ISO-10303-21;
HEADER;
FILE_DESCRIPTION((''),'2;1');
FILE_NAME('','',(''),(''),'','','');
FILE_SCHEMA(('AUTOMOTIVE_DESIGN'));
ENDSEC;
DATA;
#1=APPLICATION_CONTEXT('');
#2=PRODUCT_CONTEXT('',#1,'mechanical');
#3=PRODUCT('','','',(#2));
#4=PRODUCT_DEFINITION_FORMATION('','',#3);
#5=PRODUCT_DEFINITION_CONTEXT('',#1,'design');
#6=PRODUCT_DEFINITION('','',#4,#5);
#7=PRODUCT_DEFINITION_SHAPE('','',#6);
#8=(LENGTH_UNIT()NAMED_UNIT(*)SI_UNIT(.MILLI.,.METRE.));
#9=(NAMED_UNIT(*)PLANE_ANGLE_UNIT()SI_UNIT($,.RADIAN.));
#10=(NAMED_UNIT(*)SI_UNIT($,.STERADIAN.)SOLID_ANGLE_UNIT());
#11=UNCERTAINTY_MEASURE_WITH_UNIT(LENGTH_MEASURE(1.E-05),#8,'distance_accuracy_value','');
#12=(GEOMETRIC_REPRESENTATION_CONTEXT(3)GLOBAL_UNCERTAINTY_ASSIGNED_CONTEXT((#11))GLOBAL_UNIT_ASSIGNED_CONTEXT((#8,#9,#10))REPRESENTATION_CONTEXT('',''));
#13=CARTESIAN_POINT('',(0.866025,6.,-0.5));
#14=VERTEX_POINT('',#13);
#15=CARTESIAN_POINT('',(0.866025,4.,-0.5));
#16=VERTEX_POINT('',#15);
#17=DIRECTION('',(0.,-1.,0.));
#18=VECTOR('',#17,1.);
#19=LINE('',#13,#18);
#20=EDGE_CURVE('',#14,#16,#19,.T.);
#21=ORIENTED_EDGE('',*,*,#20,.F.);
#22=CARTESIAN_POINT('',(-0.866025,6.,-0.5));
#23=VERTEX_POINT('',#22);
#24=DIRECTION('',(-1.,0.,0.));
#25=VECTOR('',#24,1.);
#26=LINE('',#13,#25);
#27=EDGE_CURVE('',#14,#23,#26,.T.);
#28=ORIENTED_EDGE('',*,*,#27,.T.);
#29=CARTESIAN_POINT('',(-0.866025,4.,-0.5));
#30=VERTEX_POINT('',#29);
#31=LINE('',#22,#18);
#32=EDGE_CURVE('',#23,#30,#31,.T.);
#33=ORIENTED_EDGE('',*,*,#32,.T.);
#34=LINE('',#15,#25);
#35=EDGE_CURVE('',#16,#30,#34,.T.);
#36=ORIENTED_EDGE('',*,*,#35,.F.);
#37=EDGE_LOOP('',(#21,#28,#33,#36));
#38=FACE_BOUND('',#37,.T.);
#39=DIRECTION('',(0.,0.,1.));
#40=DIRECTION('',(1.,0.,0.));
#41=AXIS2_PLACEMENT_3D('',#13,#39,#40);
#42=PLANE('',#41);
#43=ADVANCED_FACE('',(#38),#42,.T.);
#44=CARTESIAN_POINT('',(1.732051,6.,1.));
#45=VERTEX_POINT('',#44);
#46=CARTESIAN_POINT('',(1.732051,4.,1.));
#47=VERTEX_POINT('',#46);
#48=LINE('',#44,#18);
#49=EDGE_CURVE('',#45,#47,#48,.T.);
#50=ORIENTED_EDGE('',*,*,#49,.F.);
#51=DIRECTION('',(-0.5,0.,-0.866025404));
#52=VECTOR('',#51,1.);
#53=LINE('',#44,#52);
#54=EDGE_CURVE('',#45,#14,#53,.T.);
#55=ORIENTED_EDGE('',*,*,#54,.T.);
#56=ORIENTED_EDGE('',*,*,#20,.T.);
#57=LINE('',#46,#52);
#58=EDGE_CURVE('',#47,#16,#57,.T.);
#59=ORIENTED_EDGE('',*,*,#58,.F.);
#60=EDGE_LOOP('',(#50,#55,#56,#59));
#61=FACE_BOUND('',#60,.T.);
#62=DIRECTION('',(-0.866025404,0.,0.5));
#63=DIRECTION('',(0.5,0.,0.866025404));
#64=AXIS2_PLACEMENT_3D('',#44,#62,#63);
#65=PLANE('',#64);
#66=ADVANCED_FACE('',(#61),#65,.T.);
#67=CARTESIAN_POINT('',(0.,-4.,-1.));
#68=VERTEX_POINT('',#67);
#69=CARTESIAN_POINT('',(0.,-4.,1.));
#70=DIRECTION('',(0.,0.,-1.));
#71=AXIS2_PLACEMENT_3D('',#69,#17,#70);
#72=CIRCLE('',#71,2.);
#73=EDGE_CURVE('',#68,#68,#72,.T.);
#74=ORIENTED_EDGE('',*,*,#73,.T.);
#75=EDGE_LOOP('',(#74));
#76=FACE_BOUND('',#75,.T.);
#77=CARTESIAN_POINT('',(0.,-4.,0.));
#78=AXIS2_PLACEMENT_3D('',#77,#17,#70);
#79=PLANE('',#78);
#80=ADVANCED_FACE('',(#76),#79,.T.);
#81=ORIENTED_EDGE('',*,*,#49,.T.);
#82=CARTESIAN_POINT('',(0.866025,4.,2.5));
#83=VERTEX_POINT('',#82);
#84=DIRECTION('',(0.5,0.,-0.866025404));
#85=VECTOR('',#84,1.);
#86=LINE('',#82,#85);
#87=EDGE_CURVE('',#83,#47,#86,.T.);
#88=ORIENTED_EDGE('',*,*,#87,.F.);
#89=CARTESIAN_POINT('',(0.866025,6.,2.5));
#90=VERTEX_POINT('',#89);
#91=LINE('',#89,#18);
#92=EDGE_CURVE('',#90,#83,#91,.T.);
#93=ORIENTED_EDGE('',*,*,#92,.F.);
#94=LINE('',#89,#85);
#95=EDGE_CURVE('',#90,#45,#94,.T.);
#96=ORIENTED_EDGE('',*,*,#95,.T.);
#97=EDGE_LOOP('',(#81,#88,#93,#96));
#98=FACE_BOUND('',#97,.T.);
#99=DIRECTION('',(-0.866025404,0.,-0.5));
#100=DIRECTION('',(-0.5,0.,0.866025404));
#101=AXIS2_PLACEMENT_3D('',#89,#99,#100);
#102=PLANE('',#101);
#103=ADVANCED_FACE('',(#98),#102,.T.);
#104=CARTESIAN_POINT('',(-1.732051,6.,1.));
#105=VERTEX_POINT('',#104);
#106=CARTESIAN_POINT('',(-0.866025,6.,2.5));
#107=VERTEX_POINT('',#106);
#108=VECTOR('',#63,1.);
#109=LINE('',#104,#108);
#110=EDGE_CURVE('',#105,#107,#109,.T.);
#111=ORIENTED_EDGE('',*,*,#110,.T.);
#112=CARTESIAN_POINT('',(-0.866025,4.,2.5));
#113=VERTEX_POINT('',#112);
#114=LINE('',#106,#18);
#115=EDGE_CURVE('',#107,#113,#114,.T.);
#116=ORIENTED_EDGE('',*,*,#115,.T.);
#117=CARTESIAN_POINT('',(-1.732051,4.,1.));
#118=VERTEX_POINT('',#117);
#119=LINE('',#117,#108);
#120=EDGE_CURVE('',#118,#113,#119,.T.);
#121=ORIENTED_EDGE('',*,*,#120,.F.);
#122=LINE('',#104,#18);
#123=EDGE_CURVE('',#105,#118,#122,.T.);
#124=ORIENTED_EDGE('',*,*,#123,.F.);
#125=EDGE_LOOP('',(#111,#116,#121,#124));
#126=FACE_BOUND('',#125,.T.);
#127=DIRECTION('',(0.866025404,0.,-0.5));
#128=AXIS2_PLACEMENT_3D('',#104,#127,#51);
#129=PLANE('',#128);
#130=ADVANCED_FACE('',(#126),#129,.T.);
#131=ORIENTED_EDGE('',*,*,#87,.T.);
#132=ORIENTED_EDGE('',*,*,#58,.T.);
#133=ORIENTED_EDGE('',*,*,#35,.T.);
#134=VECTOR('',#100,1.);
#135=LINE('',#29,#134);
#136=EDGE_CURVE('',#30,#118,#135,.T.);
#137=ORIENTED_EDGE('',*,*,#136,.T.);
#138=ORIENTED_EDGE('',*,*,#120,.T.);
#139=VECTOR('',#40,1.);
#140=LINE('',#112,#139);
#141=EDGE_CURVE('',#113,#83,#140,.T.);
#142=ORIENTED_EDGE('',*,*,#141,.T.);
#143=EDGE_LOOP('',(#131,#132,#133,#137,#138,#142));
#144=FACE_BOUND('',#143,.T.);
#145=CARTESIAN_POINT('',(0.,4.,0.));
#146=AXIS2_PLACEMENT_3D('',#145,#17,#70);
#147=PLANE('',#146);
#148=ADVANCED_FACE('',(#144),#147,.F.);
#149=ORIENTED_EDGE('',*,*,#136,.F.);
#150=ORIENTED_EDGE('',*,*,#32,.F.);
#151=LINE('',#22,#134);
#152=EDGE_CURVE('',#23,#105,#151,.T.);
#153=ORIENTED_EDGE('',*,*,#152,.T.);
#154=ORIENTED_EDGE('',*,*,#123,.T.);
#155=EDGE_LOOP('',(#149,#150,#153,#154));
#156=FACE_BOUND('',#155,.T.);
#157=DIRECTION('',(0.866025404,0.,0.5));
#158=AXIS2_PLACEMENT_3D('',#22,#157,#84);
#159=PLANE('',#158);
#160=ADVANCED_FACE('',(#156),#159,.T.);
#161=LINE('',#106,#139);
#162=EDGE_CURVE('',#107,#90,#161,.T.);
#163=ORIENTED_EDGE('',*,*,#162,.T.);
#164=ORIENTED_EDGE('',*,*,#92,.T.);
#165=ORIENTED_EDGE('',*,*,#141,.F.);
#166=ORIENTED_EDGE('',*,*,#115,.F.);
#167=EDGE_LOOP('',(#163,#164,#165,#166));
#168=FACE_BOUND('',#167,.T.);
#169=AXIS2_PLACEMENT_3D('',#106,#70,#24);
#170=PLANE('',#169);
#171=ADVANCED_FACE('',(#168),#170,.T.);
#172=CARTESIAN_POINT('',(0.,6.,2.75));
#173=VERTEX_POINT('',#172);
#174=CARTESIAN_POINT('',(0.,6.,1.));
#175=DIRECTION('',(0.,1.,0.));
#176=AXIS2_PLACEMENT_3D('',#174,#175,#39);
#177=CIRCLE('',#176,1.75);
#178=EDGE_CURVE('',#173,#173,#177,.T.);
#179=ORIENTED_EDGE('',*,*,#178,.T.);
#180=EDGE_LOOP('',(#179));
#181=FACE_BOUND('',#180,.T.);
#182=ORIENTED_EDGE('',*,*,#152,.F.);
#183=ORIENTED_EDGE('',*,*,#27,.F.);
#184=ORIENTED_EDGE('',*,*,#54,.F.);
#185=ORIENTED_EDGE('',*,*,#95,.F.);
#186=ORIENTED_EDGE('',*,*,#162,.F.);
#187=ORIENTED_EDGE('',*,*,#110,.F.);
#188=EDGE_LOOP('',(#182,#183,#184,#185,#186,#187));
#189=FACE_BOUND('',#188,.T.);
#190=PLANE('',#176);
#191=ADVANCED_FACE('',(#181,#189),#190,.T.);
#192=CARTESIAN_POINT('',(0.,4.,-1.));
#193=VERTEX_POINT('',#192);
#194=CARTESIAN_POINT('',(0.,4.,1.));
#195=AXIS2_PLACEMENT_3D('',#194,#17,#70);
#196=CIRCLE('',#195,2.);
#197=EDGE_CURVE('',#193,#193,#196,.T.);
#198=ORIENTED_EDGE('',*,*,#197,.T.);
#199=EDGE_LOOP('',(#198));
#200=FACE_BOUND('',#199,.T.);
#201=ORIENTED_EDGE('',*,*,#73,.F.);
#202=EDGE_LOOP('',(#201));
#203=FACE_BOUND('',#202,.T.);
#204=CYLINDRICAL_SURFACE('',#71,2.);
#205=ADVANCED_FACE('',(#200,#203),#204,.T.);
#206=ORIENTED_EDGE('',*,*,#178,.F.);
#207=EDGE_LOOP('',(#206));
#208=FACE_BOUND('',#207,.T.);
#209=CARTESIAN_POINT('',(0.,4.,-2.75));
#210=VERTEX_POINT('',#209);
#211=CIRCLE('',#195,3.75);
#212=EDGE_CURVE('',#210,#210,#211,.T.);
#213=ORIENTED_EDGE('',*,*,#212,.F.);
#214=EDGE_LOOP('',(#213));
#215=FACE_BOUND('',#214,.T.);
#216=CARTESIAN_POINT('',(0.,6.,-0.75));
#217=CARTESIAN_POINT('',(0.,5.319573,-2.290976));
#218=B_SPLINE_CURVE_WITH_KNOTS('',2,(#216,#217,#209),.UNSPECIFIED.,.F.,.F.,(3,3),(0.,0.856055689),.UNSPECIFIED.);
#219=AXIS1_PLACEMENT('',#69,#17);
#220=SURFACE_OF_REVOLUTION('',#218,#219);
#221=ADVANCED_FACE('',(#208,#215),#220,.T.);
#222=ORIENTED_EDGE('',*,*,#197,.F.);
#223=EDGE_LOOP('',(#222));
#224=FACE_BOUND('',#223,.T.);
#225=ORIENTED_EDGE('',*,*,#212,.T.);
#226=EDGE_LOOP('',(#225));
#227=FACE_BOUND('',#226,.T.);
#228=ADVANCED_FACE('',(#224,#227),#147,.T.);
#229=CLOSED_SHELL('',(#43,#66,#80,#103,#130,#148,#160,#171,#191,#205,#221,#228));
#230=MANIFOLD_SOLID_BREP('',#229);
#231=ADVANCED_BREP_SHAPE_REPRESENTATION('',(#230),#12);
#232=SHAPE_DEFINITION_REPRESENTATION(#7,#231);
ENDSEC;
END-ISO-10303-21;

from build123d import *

# Parameters (mm, degrees)
SKETCH15_W           = 2
SKETCH15_H           = 8
SKETCH19_R           = 1.75
BOSS_EXTRUDE11_DEPTH = 2


with BuildPart() as part:
    # Sketch15 → Revolve3 (revolve)
    with BuildSketch(Plane(origin=(0, 0, 0), x_dir=(0, 0, -1), z_dir=(1, 0, 0))):
        Rectangle(SKETCH15_W, SKETCH15_H)
        with BuildLine():
            Line((0.75, 6), (0.75, 4))
            Line((0.75, 4), (1, 4))
            Line((1, 4), (2.75, 4))
            add(Edge.make_bspline(
                [(0.75, 6), (2.290975881, 5.319572534), (2.75, 4)],
                knots=[0, 0, 0, 0.856055689, 0.856055689, 0.856055689], degree=2))
        make_face()
    revolve(axis=Axis((0, -4, 1), (0, 1, 0)))

    # Sketch19 → Boss-Extrude11 (add)
    with BuildSketch(Plane(origin=(0, 4, 0), x_dir=(1, 0, 0), z_dir=(0, 1, 0))):
        with Locations((0, -1)):
            Circle(SKETCH19_R)
        Polygon((1.732050808, -1), (0.866025404, 0.5), (-0.866025404, 0.5), (-1.732050808, -1), (-0.866025404, -2.5), (0.866025404, -2.5), align=None, mode=Mode.SUBTRACT)
    extrude(amount=BOSS_EXTRUDE11_DEPTH)


solid = part.part
